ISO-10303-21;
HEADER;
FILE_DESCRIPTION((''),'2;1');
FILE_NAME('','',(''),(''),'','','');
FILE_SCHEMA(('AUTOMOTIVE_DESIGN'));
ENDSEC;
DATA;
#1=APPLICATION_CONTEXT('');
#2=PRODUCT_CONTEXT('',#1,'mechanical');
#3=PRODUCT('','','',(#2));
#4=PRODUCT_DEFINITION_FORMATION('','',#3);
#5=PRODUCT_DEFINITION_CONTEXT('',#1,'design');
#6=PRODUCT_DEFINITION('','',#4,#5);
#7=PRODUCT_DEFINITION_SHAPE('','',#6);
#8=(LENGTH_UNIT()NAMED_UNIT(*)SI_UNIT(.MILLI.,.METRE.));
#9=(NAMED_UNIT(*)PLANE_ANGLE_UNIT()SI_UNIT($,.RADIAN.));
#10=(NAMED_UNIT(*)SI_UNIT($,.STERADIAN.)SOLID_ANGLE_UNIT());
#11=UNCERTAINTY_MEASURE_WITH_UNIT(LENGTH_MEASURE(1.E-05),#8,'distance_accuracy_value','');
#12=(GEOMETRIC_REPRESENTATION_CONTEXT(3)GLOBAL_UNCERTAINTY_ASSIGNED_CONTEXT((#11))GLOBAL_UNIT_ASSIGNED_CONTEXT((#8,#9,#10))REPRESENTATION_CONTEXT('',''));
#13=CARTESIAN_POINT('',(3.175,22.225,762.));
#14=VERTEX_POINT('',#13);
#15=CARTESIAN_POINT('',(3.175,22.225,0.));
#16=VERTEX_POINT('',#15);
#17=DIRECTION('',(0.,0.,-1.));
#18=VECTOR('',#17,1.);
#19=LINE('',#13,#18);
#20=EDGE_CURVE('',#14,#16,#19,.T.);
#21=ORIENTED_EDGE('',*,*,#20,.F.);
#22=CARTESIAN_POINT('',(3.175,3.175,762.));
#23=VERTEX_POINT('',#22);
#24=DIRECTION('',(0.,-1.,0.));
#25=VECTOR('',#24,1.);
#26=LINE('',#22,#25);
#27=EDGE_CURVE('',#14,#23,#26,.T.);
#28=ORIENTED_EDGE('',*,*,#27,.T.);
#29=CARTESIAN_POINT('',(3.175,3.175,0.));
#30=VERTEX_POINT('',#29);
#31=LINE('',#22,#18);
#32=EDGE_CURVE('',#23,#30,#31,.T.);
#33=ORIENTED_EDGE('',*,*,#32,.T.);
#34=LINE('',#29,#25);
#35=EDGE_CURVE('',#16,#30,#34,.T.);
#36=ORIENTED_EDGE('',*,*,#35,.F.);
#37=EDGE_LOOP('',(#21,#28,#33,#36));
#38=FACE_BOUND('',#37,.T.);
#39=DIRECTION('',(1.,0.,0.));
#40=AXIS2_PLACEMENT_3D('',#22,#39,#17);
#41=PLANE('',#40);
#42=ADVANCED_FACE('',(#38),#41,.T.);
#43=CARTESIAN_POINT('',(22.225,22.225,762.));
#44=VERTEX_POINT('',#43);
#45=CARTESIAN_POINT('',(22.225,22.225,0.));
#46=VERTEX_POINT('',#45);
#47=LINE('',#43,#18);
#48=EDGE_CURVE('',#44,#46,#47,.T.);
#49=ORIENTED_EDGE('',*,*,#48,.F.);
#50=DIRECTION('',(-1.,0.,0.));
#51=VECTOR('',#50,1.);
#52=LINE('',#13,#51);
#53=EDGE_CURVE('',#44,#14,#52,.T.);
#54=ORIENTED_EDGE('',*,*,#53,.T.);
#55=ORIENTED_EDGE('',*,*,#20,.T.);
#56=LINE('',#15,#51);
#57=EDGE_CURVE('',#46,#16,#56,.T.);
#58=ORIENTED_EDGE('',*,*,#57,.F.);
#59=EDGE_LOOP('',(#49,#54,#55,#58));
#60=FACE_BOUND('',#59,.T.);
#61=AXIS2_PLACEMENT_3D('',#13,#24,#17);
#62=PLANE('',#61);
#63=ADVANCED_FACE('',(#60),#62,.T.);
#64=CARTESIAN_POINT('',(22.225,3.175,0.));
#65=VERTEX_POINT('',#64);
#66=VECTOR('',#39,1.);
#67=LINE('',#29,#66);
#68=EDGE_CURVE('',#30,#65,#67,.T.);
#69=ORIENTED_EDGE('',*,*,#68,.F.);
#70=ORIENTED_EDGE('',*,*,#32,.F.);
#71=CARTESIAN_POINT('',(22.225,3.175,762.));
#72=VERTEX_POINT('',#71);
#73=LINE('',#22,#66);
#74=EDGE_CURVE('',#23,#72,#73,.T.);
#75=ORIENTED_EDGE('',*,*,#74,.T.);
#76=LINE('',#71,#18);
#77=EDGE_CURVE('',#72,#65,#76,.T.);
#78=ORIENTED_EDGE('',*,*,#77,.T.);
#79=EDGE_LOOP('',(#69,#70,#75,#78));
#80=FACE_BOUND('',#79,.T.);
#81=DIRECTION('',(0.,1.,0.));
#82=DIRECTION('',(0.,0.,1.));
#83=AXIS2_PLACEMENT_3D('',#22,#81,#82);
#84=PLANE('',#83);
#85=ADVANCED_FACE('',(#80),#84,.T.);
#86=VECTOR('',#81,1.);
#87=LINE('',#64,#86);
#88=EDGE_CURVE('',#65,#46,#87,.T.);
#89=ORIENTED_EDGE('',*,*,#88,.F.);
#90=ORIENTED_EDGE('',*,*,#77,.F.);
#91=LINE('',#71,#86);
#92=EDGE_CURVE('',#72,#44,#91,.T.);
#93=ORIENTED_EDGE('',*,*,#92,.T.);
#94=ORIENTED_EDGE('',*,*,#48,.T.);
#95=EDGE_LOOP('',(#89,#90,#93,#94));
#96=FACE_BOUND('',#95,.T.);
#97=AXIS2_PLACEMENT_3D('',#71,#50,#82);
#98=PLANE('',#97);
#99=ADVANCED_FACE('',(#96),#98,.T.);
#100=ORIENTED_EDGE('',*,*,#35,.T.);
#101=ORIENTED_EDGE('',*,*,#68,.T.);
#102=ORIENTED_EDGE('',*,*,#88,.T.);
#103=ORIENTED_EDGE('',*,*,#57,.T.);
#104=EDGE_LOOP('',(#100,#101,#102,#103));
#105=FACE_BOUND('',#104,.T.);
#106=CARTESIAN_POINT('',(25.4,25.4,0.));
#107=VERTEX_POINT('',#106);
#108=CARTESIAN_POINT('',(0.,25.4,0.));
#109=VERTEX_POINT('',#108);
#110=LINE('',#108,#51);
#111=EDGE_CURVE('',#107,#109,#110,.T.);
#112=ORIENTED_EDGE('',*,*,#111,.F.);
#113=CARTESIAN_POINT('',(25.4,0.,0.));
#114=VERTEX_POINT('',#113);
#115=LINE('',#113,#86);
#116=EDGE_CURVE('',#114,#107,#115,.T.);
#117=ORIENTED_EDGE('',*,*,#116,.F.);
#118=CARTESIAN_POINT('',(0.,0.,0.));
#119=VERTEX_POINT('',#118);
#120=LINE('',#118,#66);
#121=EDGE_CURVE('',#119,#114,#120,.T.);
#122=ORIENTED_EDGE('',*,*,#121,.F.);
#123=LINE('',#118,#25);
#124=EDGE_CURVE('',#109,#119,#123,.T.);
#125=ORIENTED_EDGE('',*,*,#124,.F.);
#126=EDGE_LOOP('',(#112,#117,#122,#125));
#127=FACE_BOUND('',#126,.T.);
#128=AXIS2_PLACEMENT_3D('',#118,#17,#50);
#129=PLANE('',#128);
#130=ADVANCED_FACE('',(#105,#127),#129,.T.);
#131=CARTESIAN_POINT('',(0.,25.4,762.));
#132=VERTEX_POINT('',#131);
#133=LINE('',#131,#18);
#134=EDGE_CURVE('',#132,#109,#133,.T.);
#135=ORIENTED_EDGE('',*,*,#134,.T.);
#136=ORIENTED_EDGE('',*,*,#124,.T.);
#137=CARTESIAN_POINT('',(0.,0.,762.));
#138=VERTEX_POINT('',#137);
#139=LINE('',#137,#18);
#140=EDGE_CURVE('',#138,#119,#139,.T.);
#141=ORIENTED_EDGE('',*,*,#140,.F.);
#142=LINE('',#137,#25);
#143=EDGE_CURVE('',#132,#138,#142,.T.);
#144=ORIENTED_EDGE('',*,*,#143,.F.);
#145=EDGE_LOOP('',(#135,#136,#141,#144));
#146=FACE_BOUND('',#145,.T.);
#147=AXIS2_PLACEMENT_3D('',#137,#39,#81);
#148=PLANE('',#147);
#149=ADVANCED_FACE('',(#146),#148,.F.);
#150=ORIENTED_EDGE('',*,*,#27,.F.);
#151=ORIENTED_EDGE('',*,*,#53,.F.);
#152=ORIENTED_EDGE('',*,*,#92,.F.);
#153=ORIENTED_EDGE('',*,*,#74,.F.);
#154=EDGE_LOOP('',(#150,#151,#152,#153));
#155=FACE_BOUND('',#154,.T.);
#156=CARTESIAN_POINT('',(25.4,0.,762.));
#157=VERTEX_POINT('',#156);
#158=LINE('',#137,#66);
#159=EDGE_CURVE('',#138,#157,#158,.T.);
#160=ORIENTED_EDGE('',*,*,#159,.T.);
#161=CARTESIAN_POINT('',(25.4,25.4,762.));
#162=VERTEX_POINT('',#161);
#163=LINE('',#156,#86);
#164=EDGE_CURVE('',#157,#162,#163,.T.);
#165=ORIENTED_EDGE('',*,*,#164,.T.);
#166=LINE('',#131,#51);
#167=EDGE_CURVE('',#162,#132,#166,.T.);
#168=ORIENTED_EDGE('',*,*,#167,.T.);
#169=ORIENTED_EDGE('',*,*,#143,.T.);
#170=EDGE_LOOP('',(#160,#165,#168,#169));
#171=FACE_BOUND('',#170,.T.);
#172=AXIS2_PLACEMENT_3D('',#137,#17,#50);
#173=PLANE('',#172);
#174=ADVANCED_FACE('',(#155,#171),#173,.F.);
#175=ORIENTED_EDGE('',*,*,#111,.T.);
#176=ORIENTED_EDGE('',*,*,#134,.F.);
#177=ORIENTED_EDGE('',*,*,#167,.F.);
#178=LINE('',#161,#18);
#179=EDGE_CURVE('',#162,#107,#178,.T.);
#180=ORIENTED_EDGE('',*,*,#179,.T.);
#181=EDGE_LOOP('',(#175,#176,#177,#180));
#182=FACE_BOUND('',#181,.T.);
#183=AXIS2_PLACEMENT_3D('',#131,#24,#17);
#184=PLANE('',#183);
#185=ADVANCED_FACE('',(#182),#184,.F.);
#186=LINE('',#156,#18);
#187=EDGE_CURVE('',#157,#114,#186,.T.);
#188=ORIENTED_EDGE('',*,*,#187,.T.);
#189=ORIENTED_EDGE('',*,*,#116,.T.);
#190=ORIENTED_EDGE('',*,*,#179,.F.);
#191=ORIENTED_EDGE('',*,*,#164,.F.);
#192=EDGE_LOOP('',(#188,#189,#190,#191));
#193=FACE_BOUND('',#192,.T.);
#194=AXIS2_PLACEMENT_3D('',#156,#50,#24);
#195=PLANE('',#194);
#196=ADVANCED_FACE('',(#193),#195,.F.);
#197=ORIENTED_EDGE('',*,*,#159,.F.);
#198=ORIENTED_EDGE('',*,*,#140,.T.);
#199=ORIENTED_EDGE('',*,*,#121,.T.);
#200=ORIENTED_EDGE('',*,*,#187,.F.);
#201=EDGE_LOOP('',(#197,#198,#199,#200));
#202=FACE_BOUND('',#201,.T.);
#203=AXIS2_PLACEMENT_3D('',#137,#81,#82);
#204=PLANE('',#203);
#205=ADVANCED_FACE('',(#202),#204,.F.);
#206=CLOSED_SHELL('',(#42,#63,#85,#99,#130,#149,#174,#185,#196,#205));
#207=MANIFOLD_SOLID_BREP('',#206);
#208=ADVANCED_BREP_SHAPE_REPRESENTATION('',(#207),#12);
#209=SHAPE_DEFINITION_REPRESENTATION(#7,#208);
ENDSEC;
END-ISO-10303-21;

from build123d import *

# Parameters (mm, degrees)
SKETCH1_W           = 25.4
SKETCH1_H           = 25.4
SKETCH1_W_2         = 19.05
SKETCH1_H_2         = 19.05
BOSS_EXTRUDE1_DEPTH = 762


with BuildPart() as part:
    # Sketch1 → Boss-Extrude1 (new body)
    with BuildSketch(Plane.XY):
        with Locations((12.7, 12.7)):
            Rectangle(SKETCH1_W, SKETCH1_H)
        with Locations((12.7, 12.7)):
            Rectangle(SKETCH1_W_2, SKETCH1_H_2, mode=Mode.SUBTRACT)
    extrude(amount=BOSS_EXTRUDE1_DEPTH)


solid = part.part
